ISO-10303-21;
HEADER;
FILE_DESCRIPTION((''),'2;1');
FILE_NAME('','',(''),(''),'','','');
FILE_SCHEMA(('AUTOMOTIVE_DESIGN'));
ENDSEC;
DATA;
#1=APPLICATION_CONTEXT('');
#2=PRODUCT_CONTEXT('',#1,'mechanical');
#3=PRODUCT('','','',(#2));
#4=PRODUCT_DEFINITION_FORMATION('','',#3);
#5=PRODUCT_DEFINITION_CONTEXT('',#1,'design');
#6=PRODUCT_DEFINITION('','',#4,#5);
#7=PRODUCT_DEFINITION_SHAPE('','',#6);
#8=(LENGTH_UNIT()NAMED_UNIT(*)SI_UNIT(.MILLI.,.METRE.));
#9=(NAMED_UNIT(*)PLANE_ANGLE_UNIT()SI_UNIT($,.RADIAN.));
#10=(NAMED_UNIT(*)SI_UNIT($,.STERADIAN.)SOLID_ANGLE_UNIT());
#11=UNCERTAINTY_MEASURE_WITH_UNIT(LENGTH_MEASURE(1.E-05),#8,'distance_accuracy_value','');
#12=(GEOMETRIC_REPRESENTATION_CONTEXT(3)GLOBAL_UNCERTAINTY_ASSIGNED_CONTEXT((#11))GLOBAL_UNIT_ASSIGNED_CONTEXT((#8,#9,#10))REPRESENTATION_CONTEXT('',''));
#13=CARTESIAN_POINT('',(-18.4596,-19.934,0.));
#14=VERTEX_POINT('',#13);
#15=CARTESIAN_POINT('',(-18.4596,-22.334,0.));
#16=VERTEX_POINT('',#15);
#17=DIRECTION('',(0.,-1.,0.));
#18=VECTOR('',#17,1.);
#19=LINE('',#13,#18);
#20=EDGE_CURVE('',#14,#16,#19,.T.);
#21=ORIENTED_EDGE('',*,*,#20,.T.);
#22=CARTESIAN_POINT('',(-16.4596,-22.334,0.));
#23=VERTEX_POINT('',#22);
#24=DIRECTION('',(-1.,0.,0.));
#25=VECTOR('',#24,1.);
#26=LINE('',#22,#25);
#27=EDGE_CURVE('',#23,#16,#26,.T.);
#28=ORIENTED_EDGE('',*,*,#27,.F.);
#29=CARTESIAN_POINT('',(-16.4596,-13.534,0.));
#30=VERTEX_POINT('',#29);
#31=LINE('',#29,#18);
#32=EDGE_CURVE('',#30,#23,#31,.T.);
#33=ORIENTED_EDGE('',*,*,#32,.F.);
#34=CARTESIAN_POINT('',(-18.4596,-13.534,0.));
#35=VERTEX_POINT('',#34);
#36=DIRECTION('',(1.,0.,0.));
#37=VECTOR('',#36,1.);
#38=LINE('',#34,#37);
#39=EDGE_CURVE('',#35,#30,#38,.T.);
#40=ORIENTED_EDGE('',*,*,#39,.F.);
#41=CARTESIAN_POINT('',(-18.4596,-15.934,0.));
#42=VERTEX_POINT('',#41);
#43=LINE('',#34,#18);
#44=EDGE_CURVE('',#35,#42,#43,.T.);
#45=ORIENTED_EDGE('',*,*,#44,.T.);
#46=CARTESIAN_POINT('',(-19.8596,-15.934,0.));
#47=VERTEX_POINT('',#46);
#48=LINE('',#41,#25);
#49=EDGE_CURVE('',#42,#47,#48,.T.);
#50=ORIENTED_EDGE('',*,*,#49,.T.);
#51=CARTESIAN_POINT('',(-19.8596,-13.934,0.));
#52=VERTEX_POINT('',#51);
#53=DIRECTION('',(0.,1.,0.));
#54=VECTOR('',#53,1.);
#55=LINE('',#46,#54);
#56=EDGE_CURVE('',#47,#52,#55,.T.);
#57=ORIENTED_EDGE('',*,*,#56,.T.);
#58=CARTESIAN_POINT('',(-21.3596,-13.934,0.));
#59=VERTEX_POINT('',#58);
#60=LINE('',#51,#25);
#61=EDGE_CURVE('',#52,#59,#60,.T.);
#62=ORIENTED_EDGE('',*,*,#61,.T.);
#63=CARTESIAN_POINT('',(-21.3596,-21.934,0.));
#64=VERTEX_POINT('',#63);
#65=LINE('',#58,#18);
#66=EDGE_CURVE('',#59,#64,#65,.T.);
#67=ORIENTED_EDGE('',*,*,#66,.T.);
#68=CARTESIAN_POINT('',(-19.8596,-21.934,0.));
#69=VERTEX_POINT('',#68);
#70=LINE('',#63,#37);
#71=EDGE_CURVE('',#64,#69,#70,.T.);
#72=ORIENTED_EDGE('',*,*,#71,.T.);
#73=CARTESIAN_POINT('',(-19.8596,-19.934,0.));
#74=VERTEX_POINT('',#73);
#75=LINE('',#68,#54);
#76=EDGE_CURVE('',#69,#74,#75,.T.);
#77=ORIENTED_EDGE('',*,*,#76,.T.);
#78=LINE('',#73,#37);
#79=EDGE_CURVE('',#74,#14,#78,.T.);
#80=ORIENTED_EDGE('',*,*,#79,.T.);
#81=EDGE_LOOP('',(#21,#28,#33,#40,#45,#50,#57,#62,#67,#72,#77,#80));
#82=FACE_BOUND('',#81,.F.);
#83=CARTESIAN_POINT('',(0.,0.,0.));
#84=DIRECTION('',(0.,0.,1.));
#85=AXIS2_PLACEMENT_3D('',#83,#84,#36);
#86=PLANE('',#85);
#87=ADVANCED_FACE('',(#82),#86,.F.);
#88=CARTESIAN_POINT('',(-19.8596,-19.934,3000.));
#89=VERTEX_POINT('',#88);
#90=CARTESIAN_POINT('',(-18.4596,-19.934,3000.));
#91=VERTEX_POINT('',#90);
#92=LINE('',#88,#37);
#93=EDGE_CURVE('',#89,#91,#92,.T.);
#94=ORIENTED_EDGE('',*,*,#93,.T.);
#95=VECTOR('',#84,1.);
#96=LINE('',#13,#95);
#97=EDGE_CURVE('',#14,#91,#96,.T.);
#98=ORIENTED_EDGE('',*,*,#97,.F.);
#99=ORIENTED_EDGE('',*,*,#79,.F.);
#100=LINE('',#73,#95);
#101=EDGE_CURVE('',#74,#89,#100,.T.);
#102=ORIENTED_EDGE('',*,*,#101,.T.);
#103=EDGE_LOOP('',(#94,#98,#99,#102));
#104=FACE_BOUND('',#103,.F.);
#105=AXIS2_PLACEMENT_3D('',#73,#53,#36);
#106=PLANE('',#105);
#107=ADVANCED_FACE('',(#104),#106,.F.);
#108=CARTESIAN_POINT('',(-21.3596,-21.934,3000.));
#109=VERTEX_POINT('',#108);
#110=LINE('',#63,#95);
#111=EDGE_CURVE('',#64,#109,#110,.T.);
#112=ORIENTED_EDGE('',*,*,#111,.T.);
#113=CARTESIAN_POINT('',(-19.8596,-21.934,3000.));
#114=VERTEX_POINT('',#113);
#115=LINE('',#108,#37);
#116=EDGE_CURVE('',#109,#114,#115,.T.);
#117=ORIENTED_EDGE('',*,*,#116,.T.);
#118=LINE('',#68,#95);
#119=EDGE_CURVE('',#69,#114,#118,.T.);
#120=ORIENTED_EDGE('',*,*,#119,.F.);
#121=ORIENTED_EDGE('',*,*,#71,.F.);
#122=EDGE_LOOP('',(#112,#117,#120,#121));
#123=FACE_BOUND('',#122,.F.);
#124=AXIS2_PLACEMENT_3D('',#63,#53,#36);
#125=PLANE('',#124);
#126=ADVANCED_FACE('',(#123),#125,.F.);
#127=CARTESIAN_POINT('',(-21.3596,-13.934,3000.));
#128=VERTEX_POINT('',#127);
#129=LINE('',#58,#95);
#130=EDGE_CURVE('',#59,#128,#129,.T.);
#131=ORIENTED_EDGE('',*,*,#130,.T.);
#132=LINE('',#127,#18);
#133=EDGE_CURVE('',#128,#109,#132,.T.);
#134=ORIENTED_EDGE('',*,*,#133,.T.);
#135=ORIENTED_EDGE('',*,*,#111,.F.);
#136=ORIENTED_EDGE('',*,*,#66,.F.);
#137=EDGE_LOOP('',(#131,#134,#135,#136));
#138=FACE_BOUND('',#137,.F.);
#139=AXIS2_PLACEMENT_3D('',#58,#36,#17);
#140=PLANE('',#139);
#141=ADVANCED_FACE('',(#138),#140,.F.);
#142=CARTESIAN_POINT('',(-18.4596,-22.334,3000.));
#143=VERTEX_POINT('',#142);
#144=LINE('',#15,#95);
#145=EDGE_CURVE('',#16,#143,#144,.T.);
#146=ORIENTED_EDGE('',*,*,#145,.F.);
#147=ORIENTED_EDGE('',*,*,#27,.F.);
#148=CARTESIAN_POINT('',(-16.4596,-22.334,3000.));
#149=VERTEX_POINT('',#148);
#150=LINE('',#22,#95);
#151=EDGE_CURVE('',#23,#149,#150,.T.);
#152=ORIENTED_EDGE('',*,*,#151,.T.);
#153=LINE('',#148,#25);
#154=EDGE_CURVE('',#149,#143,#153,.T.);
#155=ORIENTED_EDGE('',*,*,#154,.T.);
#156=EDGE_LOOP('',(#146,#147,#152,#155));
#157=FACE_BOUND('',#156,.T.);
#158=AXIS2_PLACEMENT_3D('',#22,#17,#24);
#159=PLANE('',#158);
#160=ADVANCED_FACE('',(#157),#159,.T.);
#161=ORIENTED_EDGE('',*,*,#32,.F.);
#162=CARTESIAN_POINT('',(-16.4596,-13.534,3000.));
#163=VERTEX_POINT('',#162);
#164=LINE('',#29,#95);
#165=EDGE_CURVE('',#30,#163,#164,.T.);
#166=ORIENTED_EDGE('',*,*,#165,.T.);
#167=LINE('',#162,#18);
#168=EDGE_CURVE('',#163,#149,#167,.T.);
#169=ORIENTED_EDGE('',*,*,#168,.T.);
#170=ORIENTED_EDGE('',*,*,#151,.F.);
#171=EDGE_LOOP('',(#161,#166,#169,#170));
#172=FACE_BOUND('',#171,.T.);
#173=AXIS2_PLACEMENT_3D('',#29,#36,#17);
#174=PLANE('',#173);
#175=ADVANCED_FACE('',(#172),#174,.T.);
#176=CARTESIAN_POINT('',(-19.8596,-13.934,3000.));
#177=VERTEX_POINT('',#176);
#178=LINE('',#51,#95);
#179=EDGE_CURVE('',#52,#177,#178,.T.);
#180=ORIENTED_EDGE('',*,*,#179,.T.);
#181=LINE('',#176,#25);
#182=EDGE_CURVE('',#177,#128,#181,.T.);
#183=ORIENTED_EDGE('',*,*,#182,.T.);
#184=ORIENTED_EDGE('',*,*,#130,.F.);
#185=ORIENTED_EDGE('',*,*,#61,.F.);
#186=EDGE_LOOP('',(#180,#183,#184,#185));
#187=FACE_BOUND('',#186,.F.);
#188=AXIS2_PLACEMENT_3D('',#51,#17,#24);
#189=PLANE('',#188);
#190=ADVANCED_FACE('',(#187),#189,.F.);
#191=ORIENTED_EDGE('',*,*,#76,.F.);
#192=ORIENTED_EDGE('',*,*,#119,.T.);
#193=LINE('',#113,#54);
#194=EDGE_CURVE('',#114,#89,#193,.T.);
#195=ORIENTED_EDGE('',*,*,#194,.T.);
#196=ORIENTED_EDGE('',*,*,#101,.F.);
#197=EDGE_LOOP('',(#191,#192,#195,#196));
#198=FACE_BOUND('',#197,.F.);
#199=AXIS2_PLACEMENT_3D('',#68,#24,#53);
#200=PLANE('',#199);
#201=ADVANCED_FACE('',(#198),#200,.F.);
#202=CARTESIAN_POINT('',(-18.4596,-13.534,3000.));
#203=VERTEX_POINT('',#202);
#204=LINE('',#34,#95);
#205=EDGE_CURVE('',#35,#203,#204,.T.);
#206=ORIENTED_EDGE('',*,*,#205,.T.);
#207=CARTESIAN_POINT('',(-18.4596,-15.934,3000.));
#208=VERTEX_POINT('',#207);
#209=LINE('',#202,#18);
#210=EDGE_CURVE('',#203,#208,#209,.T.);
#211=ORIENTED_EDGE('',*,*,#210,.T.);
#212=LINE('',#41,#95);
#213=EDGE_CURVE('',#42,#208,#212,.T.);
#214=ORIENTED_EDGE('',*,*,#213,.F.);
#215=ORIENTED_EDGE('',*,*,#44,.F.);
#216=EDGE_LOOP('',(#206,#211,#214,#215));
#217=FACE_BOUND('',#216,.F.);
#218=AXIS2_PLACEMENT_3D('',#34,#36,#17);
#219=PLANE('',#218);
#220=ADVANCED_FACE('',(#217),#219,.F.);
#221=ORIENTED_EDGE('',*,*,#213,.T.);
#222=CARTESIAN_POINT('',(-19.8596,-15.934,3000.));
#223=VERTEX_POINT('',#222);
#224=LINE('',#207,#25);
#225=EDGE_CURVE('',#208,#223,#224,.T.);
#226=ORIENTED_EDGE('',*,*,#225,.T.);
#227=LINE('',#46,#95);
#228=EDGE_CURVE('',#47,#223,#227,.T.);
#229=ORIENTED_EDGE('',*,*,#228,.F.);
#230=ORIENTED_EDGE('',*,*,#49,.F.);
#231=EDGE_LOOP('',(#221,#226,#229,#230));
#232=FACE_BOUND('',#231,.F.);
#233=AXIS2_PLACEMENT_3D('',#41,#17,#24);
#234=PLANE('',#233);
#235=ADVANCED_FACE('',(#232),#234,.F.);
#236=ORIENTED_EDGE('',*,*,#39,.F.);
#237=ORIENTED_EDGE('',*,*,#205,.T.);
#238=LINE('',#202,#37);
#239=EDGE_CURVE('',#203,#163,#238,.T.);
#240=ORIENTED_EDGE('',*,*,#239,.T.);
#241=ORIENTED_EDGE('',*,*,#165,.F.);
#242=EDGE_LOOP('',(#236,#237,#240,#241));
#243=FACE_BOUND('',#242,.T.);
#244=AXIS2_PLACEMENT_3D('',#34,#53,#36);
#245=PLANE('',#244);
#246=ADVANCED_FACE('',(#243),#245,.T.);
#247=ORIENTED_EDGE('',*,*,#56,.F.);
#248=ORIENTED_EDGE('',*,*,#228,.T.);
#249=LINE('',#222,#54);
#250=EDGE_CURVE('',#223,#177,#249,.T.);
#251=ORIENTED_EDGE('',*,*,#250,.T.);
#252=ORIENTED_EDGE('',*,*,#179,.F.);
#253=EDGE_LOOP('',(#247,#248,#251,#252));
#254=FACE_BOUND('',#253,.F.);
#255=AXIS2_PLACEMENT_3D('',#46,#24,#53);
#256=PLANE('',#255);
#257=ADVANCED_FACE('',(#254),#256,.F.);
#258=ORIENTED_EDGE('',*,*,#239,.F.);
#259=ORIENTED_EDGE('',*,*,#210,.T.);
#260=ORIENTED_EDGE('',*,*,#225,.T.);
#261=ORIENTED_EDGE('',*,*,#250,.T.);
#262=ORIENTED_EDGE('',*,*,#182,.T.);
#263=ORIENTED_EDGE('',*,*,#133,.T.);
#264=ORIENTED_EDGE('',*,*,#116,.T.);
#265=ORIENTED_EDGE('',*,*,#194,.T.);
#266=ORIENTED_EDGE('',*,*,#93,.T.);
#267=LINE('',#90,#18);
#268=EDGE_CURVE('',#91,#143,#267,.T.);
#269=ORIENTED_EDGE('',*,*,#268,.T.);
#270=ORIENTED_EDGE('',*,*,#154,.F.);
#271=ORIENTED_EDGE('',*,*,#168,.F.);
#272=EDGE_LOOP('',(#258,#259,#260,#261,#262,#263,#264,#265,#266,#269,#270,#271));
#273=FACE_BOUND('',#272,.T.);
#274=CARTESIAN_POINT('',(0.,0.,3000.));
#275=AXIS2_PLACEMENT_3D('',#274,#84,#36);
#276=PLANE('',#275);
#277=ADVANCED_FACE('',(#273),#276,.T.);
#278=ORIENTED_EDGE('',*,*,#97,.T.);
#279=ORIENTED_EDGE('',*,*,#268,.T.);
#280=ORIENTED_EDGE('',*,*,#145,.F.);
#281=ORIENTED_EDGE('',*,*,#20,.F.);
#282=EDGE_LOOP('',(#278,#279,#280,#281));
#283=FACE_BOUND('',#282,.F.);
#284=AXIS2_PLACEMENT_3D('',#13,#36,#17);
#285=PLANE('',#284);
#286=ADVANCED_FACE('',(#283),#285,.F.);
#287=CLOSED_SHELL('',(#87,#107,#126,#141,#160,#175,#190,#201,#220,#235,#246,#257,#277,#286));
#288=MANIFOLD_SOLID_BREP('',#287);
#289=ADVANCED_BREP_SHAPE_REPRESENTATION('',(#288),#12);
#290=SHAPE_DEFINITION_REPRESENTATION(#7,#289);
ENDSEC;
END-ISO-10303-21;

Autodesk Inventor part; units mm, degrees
ref_plane "YZ Plane" through (0, 0, 0) normal (1, 0, 0) x (0, 1, 0)
ref_plane "XZ Plane" through (0, 0, 0) normal (0, 1, 0) x (-1, 0, 0)
ref_plane "XY Plane" through (0, 0, 0) normal (0, 0, 1) x (1, 0, 0)
sketch "Boceto1" plane through (0, 0, 0) normal (0, 0, 1) x (1, 0, 0)
  line L0 (-18.4596, -13.534) -> (-18.4596, -15.934)
  line L1 (-18.4596, -15.934) -> (-19.8596, -15.934)
  line L2 (-19.8596, -15.934) -> (-19.8596, -13.934)
  line L3 (-19.8596, -13.934) -> (-21.3596, -13.934)
  line L4 (-21.3596, -13.934) -> (-21.3596, -21.934)
  line L5 (-21.3596, -21.934) -> (-19.8596, -21.934)
  line L6 (-19.8596, -21.934) -> (-19.8596, -19.934)
  line L7 (-19.8596, -19.934) -> (-18.4596, -19.934)
  line L8 (-18.4596, -19.934) -> (-18.4596, -22.334)
  line L9 (-18.4596, -13.534) -> (-16.4596, -13.534)
  line L10 (-16.4596, -13.534) -> (-16.4596, -22.334)
  line L11 (-16.4596, -22.334) -> (-18.4596, -22.334)
  point P0 (-26.2596, -17.734)
  point P1 (-21.3596, -17.934)
  dimension "d28" = 1.4
  dimension "d30" = 1.4
  dimension "d34" = 8
  dimension "d35" = 2
  dimension "d36" = 4
  dimension "d37" = 1.5
  dimension "d64" = 8.8
  dimension "d65" = 2
extrude "Extrusión1" add sketch "Boceto1" along normal blind 3000
properties part number "JUNTA DE FELPA 3000 mm" material "Caucho"
